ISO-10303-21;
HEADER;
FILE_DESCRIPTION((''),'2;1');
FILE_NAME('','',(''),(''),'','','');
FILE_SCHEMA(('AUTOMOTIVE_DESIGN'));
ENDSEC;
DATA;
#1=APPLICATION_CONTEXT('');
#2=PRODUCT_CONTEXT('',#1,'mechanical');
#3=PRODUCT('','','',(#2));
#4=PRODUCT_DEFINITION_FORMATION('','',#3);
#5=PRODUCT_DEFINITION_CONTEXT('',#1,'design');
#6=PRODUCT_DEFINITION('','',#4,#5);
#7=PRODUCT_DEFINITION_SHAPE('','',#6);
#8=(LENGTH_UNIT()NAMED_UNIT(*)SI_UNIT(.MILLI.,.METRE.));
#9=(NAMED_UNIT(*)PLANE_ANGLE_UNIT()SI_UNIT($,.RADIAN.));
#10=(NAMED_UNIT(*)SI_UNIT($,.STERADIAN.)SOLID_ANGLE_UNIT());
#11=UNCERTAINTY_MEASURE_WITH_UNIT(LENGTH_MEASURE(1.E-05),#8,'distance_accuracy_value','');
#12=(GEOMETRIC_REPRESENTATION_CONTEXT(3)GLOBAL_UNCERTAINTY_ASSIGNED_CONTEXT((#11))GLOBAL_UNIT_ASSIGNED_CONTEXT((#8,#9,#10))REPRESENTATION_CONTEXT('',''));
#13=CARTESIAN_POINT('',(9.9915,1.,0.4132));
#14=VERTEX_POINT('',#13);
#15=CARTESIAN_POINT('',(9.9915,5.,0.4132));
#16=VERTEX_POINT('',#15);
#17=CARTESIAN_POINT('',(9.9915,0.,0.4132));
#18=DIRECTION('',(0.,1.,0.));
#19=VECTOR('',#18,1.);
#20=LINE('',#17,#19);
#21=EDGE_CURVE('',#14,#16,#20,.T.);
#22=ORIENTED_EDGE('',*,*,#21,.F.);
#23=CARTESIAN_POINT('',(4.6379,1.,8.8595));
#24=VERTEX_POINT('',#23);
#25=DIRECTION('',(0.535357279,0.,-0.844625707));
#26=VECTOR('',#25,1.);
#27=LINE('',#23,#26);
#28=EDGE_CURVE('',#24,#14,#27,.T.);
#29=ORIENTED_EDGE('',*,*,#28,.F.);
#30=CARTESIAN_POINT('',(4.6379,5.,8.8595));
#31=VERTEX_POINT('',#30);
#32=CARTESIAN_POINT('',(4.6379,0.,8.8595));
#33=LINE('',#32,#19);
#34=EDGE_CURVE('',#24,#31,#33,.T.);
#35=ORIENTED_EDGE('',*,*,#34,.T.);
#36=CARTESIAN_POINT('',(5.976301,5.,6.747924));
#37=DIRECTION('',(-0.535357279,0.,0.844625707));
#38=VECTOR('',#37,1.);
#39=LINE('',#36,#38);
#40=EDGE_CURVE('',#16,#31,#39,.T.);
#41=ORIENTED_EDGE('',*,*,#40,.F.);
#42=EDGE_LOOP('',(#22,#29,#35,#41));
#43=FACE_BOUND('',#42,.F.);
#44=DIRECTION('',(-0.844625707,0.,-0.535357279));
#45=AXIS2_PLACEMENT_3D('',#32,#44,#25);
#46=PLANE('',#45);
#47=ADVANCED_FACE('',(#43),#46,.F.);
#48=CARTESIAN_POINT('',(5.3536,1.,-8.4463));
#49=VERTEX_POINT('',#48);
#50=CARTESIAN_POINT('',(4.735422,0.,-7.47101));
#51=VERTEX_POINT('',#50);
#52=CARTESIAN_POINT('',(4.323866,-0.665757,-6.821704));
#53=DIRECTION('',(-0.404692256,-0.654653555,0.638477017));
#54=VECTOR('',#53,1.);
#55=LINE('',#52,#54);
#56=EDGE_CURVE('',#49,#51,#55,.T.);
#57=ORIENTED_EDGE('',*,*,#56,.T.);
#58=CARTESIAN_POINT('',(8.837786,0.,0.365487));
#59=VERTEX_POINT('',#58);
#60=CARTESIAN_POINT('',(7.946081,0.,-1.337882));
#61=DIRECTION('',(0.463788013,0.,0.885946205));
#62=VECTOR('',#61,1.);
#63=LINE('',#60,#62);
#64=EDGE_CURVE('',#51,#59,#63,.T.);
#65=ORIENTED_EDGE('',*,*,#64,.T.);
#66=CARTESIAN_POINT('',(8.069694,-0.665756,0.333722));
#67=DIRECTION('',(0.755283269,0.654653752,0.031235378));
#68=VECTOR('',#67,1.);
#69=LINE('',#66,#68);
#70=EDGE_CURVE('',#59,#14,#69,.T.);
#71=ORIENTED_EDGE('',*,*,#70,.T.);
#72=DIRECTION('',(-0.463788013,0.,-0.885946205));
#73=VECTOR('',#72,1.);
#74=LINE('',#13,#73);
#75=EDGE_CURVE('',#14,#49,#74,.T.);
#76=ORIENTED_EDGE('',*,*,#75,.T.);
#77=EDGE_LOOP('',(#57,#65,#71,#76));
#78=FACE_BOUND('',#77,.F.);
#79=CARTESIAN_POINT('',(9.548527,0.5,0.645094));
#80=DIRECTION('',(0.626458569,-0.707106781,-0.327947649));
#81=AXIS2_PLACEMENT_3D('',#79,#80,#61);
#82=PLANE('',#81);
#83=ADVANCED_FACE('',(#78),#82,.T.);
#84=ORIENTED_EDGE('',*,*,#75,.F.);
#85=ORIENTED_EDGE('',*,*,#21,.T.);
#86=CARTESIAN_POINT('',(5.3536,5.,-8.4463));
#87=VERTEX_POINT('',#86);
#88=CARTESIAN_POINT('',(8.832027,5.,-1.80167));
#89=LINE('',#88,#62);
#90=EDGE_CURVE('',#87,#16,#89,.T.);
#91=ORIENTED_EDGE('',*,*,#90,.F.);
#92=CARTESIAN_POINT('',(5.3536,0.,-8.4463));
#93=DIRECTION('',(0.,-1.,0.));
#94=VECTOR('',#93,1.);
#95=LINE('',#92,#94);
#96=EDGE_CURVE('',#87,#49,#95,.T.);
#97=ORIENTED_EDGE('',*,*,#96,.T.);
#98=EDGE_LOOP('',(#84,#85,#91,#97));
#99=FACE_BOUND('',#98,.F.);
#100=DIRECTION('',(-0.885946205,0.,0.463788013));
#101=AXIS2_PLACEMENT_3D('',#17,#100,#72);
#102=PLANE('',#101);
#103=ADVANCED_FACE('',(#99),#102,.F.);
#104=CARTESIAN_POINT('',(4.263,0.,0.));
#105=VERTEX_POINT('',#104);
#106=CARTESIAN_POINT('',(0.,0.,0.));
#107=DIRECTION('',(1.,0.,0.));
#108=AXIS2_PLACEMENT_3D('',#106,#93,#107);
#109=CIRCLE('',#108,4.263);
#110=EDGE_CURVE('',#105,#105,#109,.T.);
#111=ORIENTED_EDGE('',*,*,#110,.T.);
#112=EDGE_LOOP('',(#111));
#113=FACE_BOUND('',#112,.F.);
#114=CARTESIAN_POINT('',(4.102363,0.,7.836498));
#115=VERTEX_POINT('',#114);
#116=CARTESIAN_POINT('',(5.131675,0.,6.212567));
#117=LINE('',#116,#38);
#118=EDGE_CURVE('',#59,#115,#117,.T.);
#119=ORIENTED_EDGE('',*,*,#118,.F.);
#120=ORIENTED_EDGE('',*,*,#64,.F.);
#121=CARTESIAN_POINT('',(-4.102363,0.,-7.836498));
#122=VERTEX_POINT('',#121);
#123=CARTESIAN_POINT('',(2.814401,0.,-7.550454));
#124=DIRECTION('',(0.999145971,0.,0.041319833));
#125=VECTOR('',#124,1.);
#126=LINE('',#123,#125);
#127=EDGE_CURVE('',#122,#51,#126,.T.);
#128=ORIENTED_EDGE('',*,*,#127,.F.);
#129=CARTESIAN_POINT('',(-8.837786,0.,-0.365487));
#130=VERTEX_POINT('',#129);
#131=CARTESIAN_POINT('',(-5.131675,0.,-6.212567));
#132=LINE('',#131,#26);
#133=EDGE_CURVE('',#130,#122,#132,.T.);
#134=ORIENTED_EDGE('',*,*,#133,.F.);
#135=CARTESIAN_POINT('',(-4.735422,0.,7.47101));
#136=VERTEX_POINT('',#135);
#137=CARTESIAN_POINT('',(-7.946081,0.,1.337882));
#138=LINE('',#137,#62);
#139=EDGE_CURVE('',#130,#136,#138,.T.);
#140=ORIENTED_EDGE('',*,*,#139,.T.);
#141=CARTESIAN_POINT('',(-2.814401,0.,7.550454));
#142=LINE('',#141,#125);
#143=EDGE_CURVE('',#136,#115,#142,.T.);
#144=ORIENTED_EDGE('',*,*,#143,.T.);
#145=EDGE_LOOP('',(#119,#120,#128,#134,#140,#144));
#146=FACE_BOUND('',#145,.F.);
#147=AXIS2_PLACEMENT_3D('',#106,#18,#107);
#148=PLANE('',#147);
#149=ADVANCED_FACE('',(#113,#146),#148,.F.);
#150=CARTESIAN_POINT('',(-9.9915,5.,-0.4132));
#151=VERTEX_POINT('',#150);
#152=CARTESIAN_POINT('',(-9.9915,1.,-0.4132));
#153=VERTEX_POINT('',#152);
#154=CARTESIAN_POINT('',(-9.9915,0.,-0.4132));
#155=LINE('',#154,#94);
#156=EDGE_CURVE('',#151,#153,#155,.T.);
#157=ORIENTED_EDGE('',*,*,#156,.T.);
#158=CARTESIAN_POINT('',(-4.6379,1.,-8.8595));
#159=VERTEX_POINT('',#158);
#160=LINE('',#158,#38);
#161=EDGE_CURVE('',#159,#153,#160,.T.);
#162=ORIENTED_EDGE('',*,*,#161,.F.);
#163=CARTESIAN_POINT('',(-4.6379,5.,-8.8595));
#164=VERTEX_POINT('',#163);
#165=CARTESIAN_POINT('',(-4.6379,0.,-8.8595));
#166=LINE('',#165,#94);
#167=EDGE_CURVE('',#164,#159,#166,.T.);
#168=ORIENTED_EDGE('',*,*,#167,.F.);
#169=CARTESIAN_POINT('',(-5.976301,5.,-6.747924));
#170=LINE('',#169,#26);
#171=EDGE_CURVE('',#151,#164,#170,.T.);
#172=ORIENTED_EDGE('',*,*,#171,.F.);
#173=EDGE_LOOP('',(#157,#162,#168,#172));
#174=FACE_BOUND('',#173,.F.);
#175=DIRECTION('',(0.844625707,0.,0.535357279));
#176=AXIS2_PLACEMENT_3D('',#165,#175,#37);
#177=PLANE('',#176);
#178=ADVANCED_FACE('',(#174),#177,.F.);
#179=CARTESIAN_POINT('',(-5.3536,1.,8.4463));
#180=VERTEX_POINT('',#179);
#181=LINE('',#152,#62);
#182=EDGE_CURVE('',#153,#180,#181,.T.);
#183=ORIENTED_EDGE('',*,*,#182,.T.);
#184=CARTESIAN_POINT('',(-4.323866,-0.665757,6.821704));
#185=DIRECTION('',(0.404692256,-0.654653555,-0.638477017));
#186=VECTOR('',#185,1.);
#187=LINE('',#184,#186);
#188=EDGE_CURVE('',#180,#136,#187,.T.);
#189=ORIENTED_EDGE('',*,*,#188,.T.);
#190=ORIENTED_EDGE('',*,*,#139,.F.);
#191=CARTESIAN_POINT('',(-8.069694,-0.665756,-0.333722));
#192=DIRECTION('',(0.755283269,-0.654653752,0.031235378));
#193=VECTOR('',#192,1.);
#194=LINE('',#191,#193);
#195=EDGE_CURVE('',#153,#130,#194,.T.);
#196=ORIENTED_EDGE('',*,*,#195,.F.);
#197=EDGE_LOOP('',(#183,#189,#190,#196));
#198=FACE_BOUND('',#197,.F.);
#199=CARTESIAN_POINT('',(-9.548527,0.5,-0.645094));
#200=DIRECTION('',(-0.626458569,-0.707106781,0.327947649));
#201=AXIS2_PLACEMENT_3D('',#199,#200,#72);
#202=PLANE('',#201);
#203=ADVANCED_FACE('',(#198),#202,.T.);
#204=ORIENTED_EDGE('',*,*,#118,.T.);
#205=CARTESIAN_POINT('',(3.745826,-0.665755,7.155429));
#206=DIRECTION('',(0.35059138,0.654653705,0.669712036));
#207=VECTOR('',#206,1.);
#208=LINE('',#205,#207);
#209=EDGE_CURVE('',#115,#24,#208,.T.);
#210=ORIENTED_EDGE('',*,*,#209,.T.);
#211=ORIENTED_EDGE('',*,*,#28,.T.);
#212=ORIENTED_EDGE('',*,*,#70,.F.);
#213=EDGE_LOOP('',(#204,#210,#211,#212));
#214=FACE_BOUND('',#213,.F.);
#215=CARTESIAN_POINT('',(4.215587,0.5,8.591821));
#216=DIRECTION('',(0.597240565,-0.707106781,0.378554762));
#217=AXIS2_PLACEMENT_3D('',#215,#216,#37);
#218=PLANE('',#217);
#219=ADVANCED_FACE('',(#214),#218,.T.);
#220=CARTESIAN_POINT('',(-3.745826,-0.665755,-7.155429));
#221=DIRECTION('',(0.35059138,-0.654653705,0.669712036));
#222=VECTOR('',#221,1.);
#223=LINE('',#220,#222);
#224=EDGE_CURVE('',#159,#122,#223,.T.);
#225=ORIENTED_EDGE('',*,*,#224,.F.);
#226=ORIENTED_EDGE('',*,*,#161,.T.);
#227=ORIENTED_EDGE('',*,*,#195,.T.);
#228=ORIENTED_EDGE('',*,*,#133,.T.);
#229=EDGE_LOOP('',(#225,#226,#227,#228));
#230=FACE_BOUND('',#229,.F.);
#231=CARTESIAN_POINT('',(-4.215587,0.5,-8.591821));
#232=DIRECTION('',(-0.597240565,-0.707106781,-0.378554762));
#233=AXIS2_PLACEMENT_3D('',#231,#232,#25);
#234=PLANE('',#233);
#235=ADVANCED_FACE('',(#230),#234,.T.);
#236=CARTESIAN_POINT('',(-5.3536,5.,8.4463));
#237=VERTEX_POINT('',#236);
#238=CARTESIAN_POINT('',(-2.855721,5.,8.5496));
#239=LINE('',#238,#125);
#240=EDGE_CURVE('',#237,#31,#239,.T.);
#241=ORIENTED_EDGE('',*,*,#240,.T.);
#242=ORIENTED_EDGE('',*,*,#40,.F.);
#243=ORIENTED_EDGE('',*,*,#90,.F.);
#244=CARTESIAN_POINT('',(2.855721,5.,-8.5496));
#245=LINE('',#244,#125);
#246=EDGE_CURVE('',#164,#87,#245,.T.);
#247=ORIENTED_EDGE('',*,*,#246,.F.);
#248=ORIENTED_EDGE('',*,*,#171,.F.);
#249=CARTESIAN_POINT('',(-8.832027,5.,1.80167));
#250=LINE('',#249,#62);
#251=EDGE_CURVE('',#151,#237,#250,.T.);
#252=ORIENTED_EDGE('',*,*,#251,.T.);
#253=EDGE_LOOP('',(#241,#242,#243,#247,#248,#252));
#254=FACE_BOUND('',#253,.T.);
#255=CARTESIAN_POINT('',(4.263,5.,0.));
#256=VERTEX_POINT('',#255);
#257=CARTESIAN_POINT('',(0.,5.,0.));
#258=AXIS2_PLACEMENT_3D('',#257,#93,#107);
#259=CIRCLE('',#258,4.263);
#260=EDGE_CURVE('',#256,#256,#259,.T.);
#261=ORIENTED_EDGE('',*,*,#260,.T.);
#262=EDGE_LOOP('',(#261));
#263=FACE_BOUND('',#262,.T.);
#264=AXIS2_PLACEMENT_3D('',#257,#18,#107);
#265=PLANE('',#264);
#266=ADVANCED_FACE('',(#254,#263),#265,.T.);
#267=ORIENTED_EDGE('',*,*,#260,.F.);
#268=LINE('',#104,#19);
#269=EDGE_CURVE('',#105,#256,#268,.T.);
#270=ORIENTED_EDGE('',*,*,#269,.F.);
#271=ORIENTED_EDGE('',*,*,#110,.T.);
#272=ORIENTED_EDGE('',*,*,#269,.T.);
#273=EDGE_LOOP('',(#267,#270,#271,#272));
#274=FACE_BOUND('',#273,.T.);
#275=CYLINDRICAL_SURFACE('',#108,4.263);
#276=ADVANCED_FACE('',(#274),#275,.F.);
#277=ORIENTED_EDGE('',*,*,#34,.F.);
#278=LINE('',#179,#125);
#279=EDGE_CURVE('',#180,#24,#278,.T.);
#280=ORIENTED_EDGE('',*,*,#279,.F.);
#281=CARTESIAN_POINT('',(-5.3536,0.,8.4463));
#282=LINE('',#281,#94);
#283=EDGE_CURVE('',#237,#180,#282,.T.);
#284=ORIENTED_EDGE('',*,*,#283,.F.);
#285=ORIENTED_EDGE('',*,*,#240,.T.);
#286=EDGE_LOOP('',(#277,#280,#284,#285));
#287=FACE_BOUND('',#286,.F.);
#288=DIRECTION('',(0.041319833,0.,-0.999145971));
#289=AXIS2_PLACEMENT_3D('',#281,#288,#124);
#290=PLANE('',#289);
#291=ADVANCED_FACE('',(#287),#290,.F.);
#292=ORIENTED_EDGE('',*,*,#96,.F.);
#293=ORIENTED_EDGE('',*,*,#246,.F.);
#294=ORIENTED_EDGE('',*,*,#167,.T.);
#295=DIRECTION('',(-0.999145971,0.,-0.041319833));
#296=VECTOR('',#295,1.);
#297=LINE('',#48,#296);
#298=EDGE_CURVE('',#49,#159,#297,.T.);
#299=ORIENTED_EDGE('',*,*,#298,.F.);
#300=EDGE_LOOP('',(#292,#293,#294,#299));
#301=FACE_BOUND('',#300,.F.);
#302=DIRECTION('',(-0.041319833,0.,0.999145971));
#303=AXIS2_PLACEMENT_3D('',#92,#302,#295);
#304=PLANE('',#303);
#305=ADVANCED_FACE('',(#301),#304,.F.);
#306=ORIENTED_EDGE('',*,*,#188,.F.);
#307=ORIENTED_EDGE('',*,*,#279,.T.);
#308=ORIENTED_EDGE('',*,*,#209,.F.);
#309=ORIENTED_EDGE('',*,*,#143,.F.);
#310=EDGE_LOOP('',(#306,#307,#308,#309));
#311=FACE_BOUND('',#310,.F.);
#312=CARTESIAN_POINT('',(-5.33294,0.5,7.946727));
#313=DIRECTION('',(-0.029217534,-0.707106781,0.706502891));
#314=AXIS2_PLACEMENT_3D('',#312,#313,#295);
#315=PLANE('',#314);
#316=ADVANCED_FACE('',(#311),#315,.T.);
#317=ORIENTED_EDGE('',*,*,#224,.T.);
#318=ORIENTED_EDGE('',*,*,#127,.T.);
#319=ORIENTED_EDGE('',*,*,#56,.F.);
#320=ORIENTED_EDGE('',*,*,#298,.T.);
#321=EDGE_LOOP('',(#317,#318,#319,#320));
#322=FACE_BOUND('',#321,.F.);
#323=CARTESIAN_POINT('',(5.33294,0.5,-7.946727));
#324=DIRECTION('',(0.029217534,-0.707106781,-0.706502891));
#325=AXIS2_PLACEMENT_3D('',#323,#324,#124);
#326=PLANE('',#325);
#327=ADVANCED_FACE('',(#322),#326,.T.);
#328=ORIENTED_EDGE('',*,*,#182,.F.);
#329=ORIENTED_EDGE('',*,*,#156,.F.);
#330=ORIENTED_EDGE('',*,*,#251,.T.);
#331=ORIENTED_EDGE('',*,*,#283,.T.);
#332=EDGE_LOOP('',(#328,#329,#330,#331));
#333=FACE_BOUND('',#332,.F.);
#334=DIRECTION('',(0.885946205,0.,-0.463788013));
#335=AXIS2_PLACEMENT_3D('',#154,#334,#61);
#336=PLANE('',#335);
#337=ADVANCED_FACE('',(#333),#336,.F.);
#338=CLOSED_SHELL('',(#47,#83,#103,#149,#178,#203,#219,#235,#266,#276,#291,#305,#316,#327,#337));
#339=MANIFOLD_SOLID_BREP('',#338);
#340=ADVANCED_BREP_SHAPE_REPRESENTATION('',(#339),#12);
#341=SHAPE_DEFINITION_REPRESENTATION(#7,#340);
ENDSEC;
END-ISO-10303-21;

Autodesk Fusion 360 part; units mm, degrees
sketch "Sketch1" plane through (0, 0, 0) normal (0, 1, 0) x (1, 0, 0)
  circle A0 centre (0, 0) radius 5
  line L0 (4.6379, -8.8595) -> (9.9915, -0.4132)
  line L1 (9.9915, -0.4132) -> (5.3536, 8.4463)
  line L2 (5.3536, 8.4463) -> (-4.6379, 8.8595)
  line L3 (-4.6379, 8.8595) -> (-9.9915, 0.4132)
  line L4 (-9.9915, 0.4132) -> (-5.3536, -8.4463)
  line L5 (-5.3536, -8.4463) -> (4.6379, -8.8595)
  dimension "d1" = 10
extrude "Extrude1" add sketch "Sketch1" along normal blind 5
chamfer "Chamfer1" distance 1 angle 45 6 edges at (-7.3147, 0, -4.6363) (-7.6725, 0, 4.0165) (-0.3578, 0, 8.6529) (7.3147, 0, 4.6363) (7.6725, 0, -4.0165) (0.3578, 0, -8.6529)
thread "Thread1" "ISO Metric profile 10.0 M10x1.5 6H" major diameter 10.198 minor diameter 8.526 pitch 1.5 angle 60 resizes the face on face at (4.9938, 3.3333, 0.2492)
